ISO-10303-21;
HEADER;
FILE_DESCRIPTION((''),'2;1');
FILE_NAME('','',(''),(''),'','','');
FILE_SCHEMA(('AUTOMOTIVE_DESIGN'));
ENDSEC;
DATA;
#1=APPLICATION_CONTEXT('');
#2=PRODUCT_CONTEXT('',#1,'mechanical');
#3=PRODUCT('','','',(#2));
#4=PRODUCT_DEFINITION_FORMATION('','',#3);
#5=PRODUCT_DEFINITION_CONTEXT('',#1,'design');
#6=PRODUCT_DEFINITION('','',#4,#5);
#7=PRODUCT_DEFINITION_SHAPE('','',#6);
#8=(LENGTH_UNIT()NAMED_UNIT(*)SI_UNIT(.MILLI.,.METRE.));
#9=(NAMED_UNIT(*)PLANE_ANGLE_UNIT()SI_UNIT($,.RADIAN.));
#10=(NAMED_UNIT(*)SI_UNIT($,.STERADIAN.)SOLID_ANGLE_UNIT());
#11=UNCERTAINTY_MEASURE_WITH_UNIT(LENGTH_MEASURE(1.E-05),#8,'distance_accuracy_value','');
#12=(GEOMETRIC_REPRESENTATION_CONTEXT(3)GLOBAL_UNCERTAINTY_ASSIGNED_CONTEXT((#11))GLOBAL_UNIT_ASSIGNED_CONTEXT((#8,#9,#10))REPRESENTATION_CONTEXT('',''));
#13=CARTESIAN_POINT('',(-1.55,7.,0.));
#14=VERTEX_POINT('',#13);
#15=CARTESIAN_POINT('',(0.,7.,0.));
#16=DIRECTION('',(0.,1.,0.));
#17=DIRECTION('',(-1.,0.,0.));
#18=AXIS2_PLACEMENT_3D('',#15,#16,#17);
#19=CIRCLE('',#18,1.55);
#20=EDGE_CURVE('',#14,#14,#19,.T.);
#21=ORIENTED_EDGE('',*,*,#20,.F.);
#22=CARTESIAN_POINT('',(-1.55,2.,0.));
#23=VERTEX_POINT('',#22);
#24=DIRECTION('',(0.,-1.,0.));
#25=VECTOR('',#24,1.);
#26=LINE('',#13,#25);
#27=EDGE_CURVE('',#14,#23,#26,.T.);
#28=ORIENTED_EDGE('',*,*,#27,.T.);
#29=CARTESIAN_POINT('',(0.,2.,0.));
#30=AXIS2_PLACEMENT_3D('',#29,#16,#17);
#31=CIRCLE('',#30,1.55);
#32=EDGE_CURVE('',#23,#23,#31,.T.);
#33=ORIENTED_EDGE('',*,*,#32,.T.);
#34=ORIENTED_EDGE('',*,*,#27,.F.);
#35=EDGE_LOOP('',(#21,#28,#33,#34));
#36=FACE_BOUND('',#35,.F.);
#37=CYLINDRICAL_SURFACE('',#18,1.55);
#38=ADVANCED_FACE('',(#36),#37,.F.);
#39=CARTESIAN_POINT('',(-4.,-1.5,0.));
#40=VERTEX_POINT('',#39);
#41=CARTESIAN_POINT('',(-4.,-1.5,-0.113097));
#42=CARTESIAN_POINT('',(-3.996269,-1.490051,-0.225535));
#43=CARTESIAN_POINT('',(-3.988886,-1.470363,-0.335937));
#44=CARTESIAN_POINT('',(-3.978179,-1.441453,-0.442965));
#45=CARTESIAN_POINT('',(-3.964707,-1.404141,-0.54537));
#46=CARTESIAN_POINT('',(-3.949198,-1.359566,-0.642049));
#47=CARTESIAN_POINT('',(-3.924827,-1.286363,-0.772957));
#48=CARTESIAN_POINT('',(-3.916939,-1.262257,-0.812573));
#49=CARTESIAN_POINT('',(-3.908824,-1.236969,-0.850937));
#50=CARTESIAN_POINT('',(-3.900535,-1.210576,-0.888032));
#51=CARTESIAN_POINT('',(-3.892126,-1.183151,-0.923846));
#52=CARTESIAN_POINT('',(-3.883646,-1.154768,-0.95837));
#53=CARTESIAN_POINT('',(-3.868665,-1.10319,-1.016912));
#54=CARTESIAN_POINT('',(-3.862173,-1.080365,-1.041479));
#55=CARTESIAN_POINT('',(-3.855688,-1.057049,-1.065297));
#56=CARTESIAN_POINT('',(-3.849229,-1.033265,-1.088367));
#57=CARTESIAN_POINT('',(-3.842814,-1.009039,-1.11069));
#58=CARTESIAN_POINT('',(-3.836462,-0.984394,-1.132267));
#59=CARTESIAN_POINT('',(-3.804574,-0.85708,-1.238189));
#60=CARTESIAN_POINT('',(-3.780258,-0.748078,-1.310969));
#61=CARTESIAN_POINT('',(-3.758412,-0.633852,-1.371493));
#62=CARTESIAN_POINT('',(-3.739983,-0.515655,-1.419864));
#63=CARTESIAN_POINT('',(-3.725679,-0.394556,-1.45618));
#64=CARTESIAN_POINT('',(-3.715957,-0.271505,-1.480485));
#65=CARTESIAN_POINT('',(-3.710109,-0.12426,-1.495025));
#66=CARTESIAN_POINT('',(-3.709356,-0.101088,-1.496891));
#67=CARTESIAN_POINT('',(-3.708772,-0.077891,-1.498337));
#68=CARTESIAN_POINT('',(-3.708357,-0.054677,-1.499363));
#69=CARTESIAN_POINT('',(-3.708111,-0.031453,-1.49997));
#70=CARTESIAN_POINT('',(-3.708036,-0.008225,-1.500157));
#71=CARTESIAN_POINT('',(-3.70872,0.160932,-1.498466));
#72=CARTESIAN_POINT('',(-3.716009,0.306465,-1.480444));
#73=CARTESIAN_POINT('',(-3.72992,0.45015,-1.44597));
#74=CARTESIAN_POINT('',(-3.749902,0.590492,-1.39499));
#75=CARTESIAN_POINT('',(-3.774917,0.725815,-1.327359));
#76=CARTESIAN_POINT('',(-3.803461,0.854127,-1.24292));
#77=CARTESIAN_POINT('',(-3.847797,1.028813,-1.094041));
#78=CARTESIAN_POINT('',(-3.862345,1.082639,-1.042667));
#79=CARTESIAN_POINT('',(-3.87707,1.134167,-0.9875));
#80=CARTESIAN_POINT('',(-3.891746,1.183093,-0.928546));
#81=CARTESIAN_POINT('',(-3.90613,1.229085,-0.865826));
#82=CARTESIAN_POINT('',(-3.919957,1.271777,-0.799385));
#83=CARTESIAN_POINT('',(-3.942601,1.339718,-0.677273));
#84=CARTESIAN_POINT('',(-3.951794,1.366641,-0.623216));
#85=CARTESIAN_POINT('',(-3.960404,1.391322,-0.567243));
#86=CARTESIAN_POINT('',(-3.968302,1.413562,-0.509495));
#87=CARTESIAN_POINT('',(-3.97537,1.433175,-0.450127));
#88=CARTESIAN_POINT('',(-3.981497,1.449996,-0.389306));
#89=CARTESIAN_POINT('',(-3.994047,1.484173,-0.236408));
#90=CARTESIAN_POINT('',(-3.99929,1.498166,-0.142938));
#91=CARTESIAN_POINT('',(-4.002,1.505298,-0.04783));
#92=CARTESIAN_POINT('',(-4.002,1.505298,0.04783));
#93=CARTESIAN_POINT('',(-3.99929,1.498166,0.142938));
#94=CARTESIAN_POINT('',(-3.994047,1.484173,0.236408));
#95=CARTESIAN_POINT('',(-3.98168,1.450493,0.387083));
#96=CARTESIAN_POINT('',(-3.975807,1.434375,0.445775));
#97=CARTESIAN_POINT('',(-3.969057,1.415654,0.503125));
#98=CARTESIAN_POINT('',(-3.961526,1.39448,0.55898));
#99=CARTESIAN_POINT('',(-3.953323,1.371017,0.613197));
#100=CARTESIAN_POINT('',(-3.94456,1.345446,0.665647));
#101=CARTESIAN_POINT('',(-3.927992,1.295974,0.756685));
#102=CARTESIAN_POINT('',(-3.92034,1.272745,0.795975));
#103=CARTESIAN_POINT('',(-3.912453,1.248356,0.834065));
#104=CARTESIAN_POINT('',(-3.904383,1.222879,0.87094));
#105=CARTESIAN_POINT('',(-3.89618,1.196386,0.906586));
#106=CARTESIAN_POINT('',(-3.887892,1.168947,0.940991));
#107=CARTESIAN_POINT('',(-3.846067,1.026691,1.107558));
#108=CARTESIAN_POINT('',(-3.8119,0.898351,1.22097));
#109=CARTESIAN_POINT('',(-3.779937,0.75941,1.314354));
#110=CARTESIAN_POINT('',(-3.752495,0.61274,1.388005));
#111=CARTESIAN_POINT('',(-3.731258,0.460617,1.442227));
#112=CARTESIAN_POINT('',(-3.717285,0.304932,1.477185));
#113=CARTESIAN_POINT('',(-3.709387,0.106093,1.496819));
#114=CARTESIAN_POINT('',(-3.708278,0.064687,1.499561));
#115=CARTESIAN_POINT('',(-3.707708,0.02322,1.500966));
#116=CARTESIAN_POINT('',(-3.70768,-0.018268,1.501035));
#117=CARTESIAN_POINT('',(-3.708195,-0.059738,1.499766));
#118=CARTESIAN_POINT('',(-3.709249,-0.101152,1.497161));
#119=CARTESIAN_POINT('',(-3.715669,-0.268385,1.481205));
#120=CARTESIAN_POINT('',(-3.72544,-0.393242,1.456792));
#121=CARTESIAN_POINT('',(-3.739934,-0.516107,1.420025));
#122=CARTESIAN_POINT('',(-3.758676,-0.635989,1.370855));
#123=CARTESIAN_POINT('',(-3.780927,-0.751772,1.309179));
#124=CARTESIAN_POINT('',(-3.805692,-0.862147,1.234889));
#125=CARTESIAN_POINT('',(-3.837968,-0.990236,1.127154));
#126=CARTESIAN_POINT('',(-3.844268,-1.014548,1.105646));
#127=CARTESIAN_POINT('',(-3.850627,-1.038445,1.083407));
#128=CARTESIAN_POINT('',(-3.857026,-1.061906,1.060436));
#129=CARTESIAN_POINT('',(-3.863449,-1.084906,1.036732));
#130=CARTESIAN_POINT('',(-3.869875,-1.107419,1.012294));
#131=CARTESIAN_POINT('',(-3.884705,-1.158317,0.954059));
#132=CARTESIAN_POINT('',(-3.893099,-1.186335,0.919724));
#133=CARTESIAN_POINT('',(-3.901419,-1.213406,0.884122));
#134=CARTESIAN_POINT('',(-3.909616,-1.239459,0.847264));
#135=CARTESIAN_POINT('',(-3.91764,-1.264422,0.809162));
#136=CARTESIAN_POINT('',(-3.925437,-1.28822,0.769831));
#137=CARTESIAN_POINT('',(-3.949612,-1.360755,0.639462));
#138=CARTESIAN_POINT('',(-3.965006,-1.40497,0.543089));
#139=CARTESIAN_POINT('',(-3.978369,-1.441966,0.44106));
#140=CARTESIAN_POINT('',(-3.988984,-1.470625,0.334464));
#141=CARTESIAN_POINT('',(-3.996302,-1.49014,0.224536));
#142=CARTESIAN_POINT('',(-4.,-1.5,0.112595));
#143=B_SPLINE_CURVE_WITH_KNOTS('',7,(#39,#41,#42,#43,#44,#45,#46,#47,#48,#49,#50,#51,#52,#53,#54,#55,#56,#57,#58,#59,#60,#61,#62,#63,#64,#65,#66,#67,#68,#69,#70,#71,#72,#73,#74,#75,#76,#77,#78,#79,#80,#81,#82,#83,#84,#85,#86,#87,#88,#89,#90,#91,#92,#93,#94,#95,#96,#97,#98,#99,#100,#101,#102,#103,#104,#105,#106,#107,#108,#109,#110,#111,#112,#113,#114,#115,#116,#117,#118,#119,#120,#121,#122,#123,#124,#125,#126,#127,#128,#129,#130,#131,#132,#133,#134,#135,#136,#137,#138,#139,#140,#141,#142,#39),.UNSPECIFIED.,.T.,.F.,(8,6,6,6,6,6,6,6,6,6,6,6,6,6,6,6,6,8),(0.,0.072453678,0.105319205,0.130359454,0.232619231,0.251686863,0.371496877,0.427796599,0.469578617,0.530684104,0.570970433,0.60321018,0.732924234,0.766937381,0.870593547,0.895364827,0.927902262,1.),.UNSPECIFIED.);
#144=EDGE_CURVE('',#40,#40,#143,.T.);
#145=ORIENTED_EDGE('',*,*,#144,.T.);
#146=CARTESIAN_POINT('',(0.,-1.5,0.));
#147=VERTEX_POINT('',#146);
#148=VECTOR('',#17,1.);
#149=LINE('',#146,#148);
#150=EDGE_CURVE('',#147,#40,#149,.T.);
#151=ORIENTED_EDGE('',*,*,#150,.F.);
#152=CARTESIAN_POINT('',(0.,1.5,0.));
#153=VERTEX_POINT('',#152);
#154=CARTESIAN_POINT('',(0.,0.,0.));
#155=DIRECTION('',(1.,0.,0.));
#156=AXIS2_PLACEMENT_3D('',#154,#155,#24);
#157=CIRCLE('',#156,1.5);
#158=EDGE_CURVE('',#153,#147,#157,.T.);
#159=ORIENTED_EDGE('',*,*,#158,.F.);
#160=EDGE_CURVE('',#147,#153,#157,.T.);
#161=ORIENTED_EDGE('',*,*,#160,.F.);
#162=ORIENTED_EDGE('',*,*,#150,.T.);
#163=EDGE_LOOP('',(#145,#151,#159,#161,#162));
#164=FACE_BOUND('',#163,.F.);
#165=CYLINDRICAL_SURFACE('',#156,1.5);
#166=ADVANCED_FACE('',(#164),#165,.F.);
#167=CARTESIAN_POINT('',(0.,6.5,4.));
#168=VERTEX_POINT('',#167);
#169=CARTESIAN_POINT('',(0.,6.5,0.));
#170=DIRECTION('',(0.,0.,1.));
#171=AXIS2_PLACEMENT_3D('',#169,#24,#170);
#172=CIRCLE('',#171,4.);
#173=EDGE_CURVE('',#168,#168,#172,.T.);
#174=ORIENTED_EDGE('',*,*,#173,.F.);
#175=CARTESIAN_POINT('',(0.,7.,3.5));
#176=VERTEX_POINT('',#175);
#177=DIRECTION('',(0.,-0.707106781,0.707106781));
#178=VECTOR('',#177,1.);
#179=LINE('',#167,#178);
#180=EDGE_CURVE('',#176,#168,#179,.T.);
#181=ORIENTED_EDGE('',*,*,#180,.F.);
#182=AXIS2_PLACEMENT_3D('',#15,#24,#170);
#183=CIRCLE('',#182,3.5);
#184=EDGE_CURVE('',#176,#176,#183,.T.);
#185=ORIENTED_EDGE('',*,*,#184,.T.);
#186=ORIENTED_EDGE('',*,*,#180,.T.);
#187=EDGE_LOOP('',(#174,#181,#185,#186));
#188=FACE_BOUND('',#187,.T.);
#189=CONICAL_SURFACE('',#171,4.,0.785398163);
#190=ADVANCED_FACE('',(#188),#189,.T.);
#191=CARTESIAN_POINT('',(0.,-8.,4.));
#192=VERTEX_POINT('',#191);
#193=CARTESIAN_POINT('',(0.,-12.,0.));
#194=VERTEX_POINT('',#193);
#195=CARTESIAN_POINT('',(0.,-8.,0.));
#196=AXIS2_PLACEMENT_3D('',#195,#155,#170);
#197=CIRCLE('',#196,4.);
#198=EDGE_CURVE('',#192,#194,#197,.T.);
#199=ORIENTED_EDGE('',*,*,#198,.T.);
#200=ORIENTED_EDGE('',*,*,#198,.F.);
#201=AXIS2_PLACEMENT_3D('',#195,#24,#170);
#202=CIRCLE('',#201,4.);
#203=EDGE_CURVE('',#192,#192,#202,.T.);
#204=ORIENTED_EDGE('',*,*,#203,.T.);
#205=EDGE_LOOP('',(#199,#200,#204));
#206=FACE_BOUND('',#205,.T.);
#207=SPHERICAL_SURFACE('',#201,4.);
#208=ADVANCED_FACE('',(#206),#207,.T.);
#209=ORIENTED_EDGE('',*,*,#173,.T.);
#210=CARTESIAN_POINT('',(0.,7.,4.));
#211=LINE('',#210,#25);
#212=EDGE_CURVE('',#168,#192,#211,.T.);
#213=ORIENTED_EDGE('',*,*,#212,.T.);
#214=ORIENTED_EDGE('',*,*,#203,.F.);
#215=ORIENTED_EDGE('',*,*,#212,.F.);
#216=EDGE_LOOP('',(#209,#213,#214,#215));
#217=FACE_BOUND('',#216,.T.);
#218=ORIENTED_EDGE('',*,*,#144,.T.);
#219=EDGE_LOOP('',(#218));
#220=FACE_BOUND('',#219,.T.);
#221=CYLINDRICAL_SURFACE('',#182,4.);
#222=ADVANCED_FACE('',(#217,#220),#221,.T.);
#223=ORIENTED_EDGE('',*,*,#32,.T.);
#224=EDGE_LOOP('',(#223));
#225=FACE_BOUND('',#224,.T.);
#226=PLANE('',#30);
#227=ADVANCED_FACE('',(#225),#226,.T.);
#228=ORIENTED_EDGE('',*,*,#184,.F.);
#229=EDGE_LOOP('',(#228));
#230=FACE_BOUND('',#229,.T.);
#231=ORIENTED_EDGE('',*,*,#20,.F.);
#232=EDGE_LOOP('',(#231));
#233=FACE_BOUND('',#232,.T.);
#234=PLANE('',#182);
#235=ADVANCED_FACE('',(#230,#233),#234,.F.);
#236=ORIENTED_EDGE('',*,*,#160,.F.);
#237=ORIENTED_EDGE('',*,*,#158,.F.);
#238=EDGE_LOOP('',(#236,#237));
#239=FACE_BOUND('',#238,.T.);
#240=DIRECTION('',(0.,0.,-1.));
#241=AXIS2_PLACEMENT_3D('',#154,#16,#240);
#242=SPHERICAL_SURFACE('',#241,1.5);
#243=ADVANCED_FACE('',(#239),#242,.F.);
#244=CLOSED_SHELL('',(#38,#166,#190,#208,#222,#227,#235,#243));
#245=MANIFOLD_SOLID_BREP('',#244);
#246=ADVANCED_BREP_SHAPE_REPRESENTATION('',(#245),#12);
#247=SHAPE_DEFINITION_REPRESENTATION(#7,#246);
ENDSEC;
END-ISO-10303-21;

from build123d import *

# Parameters (mm, degrees)
F2_DEPTH = 25
F3_SIZE  = 0.5
F4_R     = 1.55
F5_DEPTH = 5


with BuildPart() as f1:
    # F0 (on Right) → F1 (revolve)
    with BuildSketch(Plane.YZ):
        with BuildLine():
            Line((1.5, 0), (7, 0))
            Line((7, 0), (7, 4))
            Line((7, 4), (-8, 4))
            ThreePointArc((-8, 4), (-10.8284271247, 2.8284271247), (-12, 0))
            Line((-12, 0), (-1.5, 0))
            ThreePointArc((-1.5, 0), (0, 1.5), (1.5, 0))
        make_face()
        with BuildLine():
            ThreePointArc((-1.5, 0), (0, -1.5), (1.5, 0))
            Line((1.5, 0), (-1.5, 0))
        make_face()
        with BuildLine():
            Line((-1.5, 0), (1.5, 0))
            ThreePointArc((1.5, 0), (0, 1.5), (-1.5, 0))
        make_face()
    revolve(axis=Axis((0, -2.5, 0), (0, -1, 0)))

    # F0 (on Right) → F2 (cut)
    with BuildSketch(Plane.YZ):
        with BuildLine():
            Line((-1.5, 0), (1.5, 0))
            ThreePointArc((1.5, 0), (0, 1.5), (-1.5, 0))
        make_face()
        with BuildLine():
            ThreePointArc((-1.5, 0), (0, -1.5), (1.5, 0))
            Line((1.5, 0), (-1.5, 0))
        make_face()
    extrude(amount=-F2_DEPTH, mode=Mode.SUBTRACT)

    # F3
    f3_edges = [f1.edges().sort_by_distance(p)[0] for p in [
        (0, 7, -4),
    ]]
    chamfer(f3_edges, length=F3_SIZE)

    # F4 (on face) → F5 (cut)
    with BuildSketch(Plane(origin=(0, 7, 0), x_dir=(-1, 0, 0), z_dir=(0, 1, 0))):
        Circle(F4_R)
    extrude(amount=-F5_DEPTH, mode=Mode.SUBTRACT)


solid = f1.part
